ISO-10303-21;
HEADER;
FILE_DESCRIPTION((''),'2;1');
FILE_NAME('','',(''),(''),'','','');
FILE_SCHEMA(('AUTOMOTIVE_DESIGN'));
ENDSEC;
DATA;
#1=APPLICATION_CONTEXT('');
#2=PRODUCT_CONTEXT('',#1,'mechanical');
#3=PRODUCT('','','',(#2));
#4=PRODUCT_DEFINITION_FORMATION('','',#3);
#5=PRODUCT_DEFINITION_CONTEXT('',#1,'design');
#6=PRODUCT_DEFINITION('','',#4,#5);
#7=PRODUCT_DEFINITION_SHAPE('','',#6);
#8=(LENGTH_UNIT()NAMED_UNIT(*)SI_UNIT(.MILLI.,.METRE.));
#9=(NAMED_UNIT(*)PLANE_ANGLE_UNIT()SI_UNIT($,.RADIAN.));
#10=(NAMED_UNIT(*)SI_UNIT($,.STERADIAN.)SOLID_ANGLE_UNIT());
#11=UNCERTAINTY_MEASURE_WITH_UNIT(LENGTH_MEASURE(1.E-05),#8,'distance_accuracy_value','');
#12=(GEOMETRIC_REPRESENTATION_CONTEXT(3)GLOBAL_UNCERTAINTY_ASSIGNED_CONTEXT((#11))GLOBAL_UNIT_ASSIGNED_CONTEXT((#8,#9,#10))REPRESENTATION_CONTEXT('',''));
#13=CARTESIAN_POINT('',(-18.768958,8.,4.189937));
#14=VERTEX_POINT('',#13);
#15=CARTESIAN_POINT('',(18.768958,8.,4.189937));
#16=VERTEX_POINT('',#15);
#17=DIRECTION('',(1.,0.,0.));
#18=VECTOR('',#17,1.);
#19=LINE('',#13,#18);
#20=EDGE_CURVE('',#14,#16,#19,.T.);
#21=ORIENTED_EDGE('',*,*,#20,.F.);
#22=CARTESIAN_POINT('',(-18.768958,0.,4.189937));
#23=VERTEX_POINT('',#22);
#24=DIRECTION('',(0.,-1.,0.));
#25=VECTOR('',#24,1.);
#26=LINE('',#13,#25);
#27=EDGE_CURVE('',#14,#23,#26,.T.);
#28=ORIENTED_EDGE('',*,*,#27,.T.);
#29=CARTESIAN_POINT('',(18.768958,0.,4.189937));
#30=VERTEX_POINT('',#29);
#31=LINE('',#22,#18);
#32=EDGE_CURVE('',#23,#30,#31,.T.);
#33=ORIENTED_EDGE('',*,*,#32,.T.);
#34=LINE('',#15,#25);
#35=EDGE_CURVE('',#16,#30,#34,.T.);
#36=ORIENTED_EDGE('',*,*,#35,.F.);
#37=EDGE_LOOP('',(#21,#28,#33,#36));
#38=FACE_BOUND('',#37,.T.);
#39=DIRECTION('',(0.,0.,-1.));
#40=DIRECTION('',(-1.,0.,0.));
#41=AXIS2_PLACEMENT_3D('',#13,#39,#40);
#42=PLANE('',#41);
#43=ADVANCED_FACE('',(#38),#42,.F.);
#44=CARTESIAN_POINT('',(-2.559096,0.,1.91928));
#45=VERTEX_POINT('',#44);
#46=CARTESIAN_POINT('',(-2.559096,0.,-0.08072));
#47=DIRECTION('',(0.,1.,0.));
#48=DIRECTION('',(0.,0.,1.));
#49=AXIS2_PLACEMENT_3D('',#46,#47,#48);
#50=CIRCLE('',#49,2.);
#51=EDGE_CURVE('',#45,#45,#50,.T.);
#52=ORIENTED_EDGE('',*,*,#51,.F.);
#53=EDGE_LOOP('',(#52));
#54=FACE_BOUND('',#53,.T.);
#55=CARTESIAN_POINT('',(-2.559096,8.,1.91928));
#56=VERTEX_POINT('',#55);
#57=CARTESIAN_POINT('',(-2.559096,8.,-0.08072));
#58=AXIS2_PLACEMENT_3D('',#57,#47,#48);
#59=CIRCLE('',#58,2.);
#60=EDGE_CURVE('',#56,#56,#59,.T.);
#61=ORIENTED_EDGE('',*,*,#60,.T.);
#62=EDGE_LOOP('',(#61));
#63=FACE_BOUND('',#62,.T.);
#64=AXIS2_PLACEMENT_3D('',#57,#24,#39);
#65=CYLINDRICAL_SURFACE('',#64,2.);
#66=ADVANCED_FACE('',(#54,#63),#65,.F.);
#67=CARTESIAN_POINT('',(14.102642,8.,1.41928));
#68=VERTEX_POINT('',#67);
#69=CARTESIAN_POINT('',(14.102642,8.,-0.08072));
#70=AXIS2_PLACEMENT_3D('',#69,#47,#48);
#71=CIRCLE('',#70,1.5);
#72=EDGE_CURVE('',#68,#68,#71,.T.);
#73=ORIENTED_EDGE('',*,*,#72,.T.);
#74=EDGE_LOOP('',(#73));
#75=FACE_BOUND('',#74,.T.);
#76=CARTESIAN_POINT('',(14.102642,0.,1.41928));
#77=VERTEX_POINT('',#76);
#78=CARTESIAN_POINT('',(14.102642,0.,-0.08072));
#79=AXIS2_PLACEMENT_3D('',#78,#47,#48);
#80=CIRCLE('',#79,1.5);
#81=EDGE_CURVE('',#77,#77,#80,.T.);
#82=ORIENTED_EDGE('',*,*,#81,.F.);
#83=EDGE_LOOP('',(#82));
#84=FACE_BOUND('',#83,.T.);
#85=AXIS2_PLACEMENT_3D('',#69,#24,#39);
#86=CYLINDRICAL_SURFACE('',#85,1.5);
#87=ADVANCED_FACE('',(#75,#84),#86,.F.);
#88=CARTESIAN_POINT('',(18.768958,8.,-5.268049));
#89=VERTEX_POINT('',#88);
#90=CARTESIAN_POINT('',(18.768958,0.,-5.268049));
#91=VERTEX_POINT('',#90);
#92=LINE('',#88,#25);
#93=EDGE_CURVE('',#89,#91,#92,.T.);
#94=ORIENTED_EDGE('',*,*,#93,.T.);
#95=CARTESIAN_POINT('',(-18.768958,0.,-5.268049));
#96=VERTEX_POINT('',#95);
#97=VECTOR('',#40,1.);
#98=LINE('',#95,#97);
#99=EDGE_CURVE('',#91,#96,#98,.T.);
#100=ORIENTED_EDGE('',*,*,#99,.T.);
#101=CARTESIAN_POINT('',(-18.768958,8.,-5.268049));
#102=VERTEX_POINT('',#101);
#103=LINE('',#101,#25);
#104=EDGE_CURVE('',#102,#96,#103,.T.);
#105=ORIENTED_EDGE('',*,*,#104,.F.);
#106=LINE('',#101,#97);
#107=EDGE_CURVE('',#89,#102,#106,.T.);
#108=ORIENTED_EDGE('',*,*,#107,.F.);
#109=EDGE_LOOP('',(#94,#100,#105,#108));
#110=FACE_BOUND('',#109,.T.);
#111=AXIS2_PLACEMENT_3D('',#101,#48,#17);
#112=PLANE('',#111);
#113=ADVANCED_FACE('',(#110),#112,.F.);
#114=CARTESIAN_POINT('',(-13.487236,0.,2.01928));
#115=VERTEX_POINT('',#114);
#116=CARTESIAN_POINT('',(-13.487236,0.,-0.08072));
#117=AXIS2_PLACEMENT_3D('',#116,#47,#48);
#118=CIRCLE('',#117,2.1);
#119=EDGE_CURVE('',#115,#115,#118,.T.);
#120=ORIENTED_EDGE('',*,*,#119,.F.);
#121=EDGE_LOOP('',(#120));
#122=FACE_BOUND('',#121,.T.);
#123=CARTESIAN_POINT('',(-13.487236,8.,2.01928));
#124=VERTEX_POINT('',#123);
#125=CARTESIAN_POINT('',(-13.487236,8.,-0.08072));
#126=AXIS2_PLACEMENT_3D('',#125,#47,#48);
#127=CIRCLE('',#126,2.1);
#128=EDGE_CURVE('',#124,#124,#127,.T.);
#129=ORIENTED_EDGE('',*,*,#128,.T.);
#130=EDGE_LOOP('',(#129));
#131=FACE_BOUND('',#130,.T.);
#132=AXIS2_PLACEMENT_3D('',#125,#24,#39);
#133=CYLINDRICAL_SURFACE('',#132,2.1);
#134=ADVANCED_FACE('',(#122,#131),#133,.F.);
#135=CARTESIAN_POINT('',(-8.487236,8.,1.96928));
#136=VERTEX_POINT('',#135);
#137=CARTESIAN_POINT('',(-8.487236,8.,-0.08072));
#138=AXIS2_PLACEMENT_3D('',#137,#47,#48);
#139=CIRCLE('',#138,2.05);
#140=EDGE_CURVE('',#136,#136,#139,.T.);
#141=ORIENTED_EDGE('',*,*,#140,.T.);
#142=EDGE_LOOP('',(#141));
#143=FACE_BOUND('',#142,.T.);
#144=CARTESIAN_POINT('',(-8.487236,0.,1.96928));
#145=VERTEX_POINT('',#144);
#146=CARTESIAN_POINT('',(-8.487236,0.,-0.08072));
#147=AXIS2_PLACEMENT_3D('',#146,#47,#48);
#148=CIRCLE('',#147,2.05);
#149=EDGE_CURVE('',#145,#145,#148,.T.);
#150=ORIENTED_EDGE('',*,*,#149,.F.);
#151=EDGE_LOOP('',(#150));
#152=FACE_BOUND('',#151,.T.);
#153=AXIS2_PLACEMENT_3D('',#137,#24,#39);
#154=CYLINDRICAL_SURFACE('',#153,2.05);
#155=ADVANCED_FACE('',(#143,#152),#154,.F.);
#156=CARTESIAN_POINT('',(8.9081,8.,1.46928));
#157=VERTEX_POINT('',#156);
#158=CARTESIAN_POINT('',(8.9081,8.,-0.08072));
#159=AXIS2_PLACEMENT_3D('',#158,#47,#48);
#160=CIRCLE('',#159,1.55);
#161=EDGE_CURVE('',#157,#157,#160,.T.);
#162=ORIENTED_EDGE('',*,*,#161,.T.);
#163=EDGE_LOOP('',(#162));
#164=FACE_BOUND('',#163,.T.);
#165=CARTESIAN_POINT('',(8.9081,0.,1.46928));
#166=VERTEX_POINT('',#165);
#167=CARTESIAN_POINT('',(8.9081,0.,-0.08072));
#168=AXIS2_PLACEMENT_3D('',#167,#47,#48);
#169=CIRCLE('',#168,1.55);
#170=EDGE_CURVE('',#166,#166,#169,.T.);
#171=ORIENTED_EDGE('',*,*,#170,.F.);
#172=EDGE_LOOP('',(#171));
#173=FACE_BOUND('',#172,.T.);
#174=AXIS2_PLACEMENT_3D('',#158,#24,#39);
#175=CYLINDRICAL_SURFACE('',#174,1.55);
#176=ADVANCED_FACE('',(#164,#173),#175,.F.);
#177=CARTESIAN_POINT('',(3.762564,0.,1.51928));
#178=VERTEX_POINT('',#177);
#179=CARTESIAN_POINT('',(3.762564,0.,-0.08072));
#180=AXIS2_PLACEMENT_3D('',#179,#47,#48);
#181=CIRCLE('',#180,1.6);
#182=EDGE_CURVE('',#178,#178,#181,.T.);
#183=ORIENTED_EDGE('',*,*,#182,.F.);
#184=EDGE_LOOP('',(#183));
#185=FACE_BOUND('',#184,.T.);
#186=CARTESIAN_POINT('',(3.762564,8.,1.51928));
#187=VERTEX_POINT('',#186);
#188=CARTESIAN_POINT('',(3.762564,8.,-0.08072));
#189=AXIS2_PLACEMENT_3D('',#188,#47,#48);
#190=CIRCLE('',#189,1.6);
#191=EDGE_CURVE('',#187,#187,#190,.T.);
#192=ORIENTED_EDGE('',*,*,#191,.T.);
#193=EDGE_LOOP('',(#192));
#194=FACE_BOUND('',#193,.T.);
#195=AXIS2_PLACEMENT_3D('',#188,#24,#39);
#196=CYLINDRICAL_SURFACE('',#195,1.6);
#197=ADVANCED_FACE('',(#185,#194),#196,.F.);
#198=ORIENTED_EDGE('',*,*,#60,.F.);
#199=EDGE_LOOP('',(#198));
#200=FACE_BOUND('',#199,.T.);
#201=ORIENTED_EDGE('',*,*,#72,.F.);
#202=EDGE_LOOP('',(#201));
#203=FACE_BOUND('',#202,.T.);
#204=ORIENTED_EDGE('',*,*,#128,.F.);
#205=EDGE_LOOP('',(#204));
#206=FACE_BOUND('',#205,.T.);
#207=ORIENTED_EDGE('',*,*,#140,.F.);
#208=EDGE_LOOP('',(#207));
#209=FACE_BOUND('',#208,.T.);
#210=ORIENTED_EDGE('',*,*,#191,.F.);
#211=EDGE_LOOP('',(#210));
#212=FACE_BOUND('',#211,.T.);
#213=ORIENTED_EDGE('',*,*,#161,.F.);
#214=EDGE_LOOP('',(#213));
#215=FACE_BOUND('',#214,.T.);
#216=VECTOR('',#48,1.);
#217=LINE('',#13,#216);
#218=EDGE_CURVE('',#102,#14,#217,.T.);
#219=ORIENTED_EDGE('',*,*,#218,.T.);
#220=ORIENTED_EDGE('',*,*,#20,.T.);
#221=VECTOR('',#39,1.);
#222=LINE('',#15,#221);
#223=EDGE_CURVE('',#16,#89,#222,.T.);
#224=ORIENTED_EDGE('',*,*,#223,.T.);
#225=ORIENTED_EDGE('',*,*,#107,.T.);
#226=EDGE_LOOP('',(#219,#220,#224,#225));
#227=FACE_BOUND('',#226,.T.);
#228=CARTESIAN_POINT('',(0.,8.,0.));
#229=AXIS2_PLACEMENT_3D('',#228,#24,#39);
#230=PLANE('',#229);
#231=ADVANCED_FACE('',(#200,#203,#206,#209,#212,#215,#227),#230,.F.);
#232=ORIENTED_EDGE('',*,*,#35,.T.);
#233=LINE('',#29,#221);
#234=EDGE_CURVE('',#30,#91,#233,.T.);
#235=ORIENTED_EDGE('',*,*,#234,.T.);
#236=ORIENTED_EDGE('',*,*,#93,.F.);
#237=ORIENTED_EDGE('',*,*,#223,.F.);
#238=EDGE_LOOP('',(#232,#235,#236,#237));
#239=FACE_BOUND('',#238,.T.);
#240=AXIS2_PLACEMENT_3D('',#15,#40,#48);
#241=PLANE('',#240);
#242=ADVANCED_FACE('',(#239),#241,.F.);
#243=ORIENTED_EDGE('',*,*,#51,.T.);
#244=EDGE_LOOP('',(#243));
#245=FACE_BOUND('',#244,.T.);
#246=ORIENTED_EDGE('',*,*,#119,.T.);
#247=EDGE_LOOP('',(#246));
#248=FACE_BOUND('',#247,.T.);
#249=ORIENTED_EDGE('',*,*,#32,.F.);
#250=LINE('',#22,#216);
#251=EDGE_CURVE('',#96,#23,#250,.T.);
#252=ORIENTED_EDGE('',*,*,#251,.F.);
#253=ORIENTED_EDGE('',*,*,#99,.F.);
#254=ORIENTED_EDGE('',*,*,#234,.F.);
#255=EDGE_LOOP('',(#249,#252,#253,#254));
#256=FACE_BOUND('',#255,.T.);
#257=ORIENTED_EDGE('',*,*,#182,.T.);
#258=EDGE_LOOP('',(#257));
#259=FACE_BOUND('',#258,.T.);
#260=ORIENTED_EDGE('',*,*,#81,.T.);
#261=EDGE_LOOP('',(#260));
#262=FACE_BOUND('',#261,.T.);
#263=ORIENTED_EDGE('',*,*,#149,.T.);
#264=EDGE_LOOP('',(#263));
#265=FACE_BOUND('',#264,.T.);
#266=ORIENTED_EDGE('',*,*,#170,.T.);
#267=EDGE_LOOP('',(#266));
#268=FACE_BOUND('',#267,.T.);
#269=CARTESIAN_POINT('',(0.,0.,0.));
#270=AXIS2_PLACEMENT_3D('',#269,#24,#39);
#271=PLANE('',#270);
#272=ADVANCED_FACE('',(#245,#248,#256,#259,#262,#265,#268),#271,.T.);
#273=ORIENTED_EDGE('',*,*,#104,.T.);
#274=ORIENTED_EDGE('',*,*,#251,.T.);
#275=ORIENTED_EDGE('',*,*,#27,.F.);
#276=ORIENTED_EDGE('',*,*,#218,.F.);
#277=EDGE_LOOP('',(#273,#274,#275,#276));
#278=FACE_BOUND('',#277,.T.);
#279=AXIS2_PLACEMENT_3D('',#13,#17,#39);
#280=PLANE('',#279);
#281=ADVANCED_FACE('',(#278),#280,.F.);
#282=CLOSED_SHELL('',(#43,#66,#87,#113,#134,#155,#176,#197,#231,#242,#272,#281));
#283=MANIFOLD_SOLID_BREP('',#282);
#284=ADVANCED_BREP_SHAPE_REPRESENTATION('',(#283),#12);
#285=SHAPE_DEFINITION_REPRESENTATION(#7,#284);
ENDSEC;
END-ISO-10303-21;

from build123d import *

# Parameters (mm, degrees)
SKETCH1_W           = 37.537915292
SKETCH1_H           = 9.45798649
SKETCH1_R           = 1.5
SKETCH1_R_2         = 1.55
SKETCH1_R_3         = 1.6
SKETCH1_R_4         = 2
SKETCH1_R_5         = 2.05
SKETCH1_R_6         = 2.1
BOSS_EXTRUDE1_DEPTH = 8


with BuildPart() as part:
    # Sketch1 → Boss-Extrude1 (new body)
    with BuildSketch(Plane(origin=(0, 0, 0), x_dir=(1, 0, 0), z_dir=(0, 1, 0))):
        with Locations((0, 0.539056225)):
            Rectangle(SKETCH1_W, SKETCH1_H)
        with Locations(Location((14.102642027, 0.080720277, 0), (0, 0, 270))):
            Circle(SKETCH1_R, mode=Mode.SUBTRACT)
        with Locations(Location((8.908100224, 0.080720277, 0), (0, 0, 270))):
            Circle(SKETCH1_R_2, mode=Mode.SUBTRACT)
        with Locations(Location((3.762563533, 0.080720277, 0), (0, 0, 270))):
            Circle(SKETCH1_R_3, mode=Mode.SUBTRACT)
        with Locations(Location((-2.559095831, 0.080720277, 0), (0, 0, 270))):
            Circle(SKETCH1_R_4, mode=Mode.SUBTRACT)
        with Locations(Location((-8.487235661, 0.080720277, 0), (0, 0, 270))):
            Circle(SKETCH1_R_5, mode=Mode.SUBTRACT)
        with Locations(Location((-13.487235661, 0.080720277, 0), (0, 0, 270))):
            Circle(SKETCH1_R_6, mode=Mode.SUBTRACT)
    extrude(amount=BOSS_EXTRUDE1_DEPTH)


solid = part.part
